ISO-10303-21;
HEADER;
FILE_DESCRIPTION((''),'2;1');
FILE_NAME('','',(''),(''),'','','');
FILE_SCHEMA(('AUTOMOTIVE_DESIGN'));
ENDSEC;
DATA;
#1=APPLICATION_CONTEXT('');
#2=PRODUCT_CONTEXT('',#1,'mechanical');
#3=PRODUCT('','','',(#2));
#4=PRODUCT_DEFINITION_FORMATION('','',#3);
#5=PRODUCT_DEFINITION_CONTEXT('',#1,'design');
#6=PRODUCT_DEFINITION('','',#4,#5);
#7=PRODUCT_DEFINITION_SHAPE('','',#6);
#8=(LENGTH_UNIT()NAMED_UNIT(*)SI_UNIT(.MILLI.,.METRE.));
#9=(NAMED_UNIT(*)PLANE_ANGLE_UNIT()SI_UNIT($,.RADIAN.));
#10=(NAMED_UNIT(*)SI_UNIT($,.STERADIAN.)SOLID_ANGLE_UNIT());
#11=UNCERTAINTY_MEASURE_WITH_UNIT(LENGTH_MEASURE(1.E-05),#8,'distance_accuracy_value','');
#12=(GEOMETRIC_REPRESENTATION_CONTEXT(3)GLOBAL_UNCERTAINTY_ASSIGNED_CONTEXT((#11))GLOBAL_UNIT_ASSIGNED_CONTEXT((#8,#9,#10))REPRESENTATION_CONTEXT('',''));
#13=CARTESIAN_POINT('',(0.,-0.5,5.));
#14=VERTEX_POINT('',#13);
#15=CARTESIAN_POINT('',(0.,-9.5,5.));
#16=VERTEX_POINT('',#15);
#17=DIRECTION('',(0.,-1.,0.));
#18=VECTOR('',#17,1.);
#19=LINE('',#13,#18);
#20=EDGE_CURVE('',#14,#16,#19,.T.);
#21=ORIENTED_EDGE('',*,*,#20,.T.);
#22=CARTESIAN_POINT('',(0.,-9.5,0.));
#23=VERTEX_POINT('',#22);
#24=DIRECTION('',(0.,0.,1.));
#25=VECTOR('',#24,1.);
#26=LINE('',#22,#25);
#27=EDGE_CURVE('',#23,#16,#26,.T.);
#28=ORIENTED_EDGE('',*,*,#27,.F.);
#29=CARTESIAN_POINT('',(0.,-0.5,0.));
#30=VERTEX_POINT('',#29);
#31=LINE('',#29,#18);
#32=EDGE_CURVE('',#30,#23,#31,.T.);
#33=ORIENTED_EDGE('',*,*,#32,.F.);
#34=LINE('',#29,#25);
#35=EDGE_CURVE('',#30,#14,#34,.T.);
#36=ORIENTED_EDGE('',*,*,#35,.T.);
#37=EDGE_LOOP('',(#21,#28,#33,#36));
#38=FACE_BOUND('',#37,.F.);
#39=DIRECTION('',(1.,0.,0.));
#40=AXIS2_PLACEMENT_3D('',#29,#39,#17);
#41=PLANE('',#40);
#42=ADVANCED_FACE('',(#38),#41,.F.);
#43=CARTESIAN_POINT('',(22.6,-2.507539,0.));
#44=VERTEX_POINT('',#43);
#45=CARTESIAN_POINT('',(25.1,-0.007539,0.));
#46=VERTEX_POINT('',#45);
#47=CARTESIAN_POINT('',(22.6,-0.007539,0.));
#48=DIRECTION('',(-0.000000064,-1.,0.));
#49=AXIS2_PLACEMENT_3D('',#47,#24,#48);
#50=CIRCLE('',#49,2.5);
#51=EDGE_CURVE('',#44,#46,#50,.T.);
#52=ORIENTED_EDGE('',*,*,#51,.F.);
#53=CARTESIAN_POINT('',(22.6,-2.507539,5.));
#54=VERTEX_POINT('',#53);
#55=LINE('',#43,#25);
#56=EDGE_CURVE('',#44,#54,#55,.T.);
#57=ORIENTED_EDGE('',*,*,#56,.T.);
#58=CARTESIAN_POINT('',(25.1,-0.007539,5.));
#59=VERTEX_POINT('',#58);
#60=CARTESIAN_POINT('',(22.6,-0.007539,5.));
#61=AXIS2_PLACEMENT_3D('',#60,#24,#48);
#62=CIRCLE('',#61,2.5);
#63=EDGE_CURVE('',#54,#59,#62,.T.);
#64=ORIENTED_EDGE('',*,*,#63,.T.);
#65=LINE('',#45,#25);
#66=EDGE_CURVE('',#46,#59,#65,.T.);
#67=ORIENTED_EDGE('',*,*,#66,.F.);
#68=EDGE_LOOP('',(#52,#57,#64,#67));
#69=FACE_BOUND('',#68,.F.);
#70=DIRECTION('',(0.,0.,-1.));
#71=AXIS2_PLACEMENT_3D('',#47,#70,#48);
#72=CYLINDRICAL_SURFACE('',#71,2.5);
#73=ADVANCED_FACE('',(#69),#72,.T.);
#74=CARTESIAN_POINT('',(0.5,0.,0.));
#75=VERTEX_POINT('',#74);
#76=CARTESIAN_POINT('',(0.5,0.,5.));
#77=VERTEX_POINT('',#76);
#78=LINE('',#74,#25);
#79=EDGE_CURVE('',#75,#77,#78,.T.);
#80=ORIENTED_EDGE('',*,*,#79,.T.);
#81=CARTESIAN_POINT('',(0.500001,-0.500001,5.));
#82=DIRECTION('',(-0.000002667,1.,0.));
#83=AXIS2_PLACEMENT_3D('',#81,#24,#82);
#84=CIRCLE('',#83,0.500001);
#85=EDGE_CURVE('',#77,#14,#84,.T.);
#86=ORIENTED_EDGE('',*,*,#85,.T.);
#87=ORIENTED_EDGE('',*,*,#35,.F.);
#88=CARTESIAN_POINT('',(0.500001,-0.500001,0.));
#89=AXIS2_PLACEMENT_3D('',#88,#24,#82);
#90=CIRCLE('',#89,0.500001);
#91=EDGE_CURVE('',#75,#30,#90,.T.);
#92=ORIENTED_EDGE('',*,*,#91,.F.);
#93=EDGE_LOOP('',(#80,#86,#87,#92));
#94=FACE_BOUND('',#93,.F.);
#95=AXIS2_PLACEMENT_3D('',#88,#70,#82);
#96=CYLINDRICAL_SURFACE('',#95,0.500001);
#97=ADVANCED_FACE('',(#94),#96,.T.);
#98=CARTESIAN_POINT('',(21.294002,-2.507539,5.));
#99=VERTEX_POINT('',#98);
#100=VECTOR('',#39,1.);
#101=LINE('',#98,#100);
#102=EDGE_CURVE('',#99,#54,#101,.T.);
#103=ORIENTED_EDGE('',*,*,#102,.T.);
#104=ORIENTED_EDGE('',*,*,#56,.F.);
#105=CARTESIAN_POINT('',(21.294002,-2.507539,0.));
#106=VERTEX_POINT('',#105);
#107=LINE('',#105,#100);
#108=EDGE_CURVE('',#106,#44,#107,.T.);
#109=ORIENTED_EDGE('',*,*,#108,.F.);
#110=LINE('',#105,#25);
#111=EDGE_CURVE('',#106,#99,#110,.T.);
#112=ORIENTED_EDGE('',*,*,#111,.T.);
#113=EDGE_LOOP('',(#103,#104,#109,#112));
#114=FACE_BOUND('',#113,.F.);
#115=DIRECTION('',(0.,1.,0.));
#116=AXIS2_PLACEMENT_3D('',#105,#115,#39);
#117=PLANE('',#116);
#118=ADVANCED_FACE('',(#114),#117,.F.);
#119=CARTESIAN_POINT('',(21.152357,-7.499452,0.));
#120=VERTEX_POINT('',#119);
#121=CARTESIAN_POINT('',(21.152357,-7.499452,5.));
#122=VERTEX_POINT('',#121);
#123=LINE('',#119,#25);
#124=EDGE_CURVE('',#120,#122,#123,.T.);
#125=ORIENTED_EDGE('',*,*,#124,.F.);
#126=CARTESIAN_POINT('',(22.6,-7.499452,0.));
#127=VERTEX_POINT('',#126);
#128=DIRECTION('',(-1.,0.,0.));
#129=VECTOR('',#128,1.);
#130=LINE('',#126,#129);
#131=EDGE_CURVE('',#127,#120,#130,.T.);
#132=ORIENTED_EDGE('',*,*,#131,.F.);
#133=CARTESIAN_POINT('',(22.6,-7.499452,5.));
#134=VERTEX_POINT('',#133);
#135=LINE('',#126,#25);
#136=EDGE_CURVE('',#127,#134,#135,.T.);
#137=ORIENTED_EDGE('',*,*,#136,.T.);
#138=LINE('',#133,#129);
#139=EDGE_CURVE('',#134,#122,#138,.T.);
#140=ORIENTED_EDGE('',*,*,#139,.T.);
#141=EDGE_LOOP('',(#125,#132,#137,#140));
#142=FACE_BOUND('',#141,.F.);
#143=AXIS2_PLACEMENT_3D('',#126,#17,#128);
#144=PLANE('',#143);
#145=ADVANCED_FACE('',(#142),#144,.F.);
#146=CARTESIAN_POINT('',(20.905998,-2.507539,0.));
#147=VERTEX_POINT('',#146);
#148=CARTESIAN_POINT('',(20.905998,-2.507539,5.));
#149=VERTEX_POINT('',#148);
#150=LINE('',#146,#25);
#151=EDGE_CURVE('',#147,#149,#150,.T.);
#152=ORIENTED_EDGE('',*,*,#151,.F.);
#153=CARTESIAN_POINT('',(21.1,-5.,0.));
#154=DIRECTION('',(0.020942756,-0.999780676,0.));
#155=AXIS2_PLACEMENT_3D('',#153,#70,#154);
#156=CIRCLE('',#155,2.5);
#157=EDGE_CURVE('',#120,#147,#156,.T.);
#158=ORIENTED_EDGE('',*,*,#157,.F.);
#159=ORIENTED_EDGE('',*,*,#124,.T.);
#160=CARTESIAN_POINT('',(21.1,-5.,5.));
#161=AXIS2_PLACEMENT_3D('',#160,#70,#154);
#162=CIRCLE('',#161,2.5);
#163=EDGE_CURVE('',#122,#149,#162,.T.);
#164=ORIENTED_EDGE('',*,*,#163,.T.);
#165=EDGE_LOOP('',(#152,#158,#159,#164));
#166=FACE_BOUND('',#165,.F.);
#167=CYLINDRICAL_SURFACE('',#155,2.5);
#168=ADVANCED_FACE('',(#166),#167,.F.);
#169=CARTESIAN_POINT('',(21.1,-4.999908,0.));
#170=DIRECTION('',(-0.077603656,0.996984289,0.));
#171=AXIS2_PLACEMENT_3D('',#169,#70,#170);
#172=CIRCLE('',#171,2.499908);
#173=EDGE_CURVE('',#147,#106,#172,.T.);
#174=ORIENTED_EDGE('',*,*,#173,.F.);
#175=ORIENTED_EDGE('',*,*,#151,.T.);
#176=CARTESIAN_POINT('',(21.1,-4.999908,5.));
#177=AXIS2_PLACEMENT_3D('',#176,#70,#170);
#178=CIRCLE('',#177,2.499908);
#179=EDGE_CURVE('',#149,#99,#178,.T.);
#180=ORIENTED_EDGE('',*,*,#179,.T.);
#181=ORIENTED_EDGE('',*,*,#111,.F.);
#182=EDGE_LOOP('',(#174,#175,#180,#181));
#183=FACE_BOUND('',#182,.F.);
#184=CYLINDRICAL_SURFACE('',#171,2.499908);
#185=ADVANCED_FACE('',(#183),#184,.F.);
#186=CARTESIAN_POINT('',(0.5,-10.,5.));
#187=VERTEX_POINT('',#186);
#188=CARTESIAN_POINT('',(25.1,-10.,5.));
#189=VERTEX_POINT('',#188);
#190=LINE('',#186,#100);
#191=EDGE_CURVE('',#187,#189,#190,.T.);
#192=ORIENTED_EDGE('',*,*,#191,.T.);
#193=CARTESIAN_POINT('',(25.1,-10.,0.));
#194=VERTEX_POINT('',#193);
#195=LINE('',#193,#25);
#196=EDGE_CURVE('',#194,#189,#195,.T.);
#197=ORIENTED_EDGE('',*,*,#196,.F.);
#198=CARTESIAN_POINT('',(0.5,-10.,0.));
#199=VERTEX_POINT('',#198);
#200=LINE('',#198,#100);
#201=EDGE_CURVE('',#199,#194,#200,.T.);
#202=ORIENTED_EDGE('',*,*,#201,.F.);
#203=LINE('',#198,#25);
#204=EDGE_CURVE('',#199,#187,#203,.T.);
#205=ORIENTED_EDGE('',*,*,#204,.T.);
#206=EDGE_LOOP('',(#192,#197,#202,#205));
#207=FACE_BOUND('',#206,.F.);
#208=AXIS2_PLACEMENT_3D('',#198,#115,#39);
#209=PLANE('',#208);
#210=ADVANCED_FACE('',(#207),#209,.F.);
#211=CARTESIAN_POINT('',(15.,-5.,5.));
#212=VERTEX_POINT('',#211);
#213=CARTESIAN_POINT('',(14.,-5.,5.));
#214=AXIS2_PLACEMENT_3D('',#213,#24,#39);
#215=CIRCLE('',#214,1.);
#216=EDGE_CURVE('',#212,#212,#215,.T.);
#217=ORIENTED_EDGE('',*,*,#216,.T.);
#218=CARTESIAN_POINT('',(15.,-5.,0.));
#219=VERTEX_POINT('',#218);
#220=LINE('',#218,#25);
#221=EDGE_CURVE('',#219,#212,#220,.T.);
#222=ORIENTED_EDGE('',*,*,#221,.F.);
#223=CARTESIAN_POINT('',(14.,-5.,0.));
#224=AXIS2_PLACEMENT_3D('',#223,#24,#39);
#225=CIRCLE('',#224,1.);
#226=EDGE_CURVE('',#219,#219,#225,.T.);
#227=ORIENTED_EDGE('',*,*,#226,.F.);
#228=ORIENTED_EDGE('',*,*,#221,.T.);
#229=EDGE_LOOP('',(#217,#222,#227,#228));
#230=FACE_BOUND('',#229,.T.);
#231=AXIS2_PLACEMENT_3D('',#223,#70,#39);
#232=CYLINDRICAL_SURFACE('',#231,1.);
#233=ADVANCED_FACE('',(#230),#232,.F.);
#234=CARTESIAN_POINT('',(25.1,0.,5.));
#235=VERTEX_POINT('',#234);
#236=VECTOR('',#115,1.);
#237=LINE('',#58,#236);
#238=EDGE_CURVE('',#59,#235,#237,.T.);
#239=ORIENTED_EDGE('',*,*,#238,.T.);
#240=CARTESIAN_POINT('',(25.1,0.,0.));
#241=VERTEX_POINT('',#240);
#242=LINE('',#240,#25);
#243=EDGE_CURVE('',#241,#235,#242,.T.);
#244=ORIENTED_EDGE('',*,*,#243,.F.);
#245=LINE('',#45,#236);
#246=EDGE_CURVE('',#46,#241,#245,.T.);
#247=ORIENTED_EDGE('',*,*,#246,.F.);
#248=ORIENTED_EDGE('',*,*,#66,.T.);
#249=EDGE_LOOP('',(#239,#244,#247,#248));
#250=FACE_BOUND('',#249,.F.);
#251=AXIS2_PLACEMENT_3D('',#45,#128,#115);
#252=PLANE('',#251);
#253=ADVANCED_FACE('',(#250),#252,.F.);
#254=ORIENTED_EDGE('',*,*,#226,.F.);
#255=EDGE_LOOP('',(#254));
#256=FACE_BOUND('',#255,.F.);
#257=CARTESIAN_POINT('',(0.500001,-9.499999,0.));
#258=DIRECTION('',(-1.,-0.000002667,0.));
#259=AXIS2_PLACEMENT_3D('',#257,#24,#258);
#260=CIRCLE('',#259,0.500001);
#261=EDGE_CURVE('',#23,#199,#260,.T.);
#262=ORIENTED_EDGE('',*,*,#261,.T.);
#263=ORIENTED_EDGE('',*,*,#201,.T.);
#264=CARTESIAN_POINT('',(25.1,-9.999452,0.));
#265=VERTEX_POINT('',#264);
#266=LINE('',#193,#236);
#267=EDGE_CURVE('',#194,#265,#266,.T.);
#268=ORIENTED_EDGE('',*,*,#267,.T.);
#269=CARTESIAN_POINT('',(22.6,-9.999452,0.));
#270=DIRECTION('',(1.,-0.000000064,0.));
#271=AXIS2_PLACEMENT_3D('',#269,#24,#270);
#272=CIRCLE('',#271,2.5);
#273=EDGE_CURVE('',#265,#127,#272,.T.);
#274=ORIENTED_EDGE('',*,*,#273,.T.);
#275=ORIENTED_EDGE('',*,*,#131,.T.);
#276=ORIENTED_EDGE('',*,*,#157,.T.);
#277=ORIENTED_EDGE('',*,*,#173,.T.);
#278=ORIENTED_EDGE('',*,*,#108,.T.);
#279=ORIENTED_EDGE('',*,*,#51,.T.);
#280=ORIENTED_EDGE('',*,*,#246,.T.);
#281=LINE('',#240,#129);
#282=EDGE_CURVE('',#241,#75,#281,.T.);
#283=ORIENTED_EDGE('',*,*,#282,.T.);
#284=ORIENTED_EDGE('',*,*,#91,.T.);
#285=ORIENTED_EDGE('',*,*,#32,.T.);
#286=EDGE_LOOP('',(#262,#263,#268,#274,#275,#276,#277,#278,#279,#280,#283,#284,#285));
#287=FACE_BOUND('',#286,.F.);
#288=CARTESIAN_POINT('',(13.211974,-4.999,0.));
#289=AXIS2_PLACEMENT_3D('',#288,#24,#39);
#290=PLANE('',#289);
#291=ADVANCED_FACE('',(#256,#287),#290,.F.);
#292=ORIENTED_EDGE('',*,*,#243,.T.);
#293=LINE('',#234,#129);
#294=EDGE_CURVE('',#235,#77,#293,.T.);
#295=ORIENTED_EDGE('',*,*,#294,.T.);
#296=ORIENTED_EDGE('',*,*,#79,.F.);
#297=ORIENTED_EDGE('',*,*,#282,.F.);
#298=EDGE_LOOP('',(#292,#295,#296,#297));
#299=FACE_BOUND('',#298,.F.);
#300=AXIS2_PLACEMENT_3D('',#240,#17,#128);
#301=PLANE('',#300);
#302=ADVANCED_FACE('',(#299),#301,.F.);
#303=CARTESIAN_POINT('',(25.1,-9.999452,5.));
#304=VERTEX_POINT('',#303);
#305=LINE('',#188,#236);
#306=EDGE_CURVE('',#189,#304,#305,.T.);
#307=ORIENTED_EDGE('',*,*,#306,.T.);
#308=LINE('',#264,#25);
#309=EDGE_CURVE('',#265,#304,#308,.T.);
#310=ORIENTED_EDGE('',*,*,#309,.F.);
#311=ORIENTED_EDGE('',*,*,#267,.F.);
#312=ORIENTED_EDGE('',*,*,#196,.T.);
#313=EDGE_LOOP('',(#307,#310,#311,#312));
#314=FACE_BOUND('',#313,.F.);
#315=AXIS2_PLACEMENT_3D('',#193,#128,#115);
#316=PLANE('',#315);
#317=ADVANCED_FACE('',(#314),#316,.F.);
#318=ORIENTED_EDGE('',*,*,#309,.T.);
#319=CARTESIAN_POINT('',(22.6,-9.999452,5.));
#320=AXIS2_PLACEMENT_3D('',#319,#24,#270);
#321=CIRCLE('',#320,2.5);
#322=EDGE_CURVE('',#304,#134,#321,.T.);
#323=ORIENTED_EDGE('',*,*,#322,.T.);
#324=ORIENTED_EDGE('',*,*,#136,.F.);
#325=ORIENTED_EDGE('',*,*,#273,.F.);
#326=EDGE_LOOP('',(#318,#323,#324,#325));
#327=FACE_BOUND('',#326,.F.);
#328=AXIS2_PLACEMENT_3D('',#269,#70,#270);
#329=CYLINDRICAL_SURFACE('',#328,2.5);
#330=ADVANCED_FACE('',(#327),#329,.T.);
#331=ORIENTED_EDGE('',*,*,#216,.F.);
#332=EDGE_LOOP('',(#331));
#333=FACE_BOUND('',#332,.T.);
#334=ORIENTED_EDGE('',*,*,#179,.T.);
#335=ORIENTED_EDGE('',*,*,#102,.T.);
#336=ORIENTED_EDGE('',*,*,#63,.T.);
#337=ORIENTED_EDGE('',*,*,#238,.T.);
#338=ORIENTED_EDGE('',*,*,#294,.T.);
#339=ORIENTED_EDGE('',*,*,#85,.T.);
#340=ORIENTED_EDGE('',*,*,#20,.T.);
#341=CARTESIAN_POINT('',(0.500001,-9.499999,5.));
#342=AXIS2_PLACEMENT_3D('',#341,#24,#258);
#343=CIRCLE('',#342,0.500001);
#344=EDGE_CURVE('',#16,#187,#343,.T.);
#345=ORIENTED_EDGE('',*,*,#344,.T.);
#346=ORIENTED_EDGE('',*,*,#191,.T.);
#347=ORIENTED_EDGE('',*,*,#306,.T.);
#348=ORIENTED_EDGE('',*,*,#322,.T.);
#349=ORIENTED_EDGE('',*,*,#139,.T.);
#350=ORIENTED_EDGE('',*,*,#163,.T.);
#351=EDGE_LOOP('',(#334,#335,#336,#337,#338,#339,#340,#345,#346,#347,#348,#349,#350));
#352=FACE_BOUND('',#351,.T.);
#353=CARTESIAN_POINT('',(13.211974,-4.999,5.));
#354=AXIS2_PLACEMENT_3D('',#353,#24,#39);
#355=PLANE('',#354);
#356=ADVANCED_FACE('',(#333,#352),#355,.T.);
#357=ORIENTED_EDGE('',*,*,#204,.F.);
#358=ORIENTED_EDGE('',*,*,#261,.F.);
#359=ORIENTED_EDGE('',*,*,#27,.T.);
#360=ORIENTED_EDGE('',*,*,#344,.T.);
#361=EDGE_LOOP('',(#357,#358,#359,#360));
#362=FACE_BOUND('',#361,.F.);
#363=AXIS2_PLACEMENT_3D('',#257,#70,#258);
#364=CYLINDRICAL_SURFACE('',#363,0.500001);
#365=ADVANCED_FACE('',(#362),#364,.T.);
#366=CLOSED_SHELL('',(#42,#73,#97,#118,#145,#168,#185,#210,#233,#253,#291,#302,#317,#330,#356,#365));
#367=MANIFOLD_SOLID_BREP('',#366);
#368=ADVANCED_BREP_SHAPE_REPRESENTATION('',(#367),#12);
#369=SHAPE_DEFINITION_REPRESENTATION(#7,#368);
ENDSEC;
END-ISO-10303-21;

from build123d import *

# Parameters (mm, degrees)
F0_R     = 1
F1_DEPTH = 5


with BuildPart() as f1:
    # F0 (on Top) → F1 (new body)
    with BuildSketch(Plane.XY):
        with BuildLine():
            Line((25.1, 0), (0.5, 0))
            ThreePointArc((0.5, 0), (0.146447, -0.146447), (0, -0.5))
            Line((0, -0.5), (0, -9.5))
            ThreePointArc((0, -9.5), (0.146447, -9.853553), (0.5, -10))
            Line((0.5, -10), (25.1, -10))
            Line((25.1, -10), (25.1, -9.999452))
            ThreePointArc((25.1, -9.999452), (24.367767, -8.231685), (22.6, -7.499452))
            Line((22.6, -7.499452), (21.152357, -7.499452))
            ThreePointArc((21.152357, -7.499452), (18.603039, -5.123229), (20.905998, -2.507539))
            ThreePointArc((20.905998, -2.507539), (21.1, -2.5), (21.294002, -2.507539))
            Line((21.294002, -2.507539), (22.6, -2.507539))
            ThreePointArc((22.6, -2.507539), (24.367767, -1.775306), (25.1, -0.007539))
            Line((25.1, -0.007539), (25.1, 0))
        make_face()
        with Locations((14, -5)):
            Circle(F0_R, mode=Mode.SUBTRACT)
    extrude(amount=F1_DEPTH)


solid = f1.part
